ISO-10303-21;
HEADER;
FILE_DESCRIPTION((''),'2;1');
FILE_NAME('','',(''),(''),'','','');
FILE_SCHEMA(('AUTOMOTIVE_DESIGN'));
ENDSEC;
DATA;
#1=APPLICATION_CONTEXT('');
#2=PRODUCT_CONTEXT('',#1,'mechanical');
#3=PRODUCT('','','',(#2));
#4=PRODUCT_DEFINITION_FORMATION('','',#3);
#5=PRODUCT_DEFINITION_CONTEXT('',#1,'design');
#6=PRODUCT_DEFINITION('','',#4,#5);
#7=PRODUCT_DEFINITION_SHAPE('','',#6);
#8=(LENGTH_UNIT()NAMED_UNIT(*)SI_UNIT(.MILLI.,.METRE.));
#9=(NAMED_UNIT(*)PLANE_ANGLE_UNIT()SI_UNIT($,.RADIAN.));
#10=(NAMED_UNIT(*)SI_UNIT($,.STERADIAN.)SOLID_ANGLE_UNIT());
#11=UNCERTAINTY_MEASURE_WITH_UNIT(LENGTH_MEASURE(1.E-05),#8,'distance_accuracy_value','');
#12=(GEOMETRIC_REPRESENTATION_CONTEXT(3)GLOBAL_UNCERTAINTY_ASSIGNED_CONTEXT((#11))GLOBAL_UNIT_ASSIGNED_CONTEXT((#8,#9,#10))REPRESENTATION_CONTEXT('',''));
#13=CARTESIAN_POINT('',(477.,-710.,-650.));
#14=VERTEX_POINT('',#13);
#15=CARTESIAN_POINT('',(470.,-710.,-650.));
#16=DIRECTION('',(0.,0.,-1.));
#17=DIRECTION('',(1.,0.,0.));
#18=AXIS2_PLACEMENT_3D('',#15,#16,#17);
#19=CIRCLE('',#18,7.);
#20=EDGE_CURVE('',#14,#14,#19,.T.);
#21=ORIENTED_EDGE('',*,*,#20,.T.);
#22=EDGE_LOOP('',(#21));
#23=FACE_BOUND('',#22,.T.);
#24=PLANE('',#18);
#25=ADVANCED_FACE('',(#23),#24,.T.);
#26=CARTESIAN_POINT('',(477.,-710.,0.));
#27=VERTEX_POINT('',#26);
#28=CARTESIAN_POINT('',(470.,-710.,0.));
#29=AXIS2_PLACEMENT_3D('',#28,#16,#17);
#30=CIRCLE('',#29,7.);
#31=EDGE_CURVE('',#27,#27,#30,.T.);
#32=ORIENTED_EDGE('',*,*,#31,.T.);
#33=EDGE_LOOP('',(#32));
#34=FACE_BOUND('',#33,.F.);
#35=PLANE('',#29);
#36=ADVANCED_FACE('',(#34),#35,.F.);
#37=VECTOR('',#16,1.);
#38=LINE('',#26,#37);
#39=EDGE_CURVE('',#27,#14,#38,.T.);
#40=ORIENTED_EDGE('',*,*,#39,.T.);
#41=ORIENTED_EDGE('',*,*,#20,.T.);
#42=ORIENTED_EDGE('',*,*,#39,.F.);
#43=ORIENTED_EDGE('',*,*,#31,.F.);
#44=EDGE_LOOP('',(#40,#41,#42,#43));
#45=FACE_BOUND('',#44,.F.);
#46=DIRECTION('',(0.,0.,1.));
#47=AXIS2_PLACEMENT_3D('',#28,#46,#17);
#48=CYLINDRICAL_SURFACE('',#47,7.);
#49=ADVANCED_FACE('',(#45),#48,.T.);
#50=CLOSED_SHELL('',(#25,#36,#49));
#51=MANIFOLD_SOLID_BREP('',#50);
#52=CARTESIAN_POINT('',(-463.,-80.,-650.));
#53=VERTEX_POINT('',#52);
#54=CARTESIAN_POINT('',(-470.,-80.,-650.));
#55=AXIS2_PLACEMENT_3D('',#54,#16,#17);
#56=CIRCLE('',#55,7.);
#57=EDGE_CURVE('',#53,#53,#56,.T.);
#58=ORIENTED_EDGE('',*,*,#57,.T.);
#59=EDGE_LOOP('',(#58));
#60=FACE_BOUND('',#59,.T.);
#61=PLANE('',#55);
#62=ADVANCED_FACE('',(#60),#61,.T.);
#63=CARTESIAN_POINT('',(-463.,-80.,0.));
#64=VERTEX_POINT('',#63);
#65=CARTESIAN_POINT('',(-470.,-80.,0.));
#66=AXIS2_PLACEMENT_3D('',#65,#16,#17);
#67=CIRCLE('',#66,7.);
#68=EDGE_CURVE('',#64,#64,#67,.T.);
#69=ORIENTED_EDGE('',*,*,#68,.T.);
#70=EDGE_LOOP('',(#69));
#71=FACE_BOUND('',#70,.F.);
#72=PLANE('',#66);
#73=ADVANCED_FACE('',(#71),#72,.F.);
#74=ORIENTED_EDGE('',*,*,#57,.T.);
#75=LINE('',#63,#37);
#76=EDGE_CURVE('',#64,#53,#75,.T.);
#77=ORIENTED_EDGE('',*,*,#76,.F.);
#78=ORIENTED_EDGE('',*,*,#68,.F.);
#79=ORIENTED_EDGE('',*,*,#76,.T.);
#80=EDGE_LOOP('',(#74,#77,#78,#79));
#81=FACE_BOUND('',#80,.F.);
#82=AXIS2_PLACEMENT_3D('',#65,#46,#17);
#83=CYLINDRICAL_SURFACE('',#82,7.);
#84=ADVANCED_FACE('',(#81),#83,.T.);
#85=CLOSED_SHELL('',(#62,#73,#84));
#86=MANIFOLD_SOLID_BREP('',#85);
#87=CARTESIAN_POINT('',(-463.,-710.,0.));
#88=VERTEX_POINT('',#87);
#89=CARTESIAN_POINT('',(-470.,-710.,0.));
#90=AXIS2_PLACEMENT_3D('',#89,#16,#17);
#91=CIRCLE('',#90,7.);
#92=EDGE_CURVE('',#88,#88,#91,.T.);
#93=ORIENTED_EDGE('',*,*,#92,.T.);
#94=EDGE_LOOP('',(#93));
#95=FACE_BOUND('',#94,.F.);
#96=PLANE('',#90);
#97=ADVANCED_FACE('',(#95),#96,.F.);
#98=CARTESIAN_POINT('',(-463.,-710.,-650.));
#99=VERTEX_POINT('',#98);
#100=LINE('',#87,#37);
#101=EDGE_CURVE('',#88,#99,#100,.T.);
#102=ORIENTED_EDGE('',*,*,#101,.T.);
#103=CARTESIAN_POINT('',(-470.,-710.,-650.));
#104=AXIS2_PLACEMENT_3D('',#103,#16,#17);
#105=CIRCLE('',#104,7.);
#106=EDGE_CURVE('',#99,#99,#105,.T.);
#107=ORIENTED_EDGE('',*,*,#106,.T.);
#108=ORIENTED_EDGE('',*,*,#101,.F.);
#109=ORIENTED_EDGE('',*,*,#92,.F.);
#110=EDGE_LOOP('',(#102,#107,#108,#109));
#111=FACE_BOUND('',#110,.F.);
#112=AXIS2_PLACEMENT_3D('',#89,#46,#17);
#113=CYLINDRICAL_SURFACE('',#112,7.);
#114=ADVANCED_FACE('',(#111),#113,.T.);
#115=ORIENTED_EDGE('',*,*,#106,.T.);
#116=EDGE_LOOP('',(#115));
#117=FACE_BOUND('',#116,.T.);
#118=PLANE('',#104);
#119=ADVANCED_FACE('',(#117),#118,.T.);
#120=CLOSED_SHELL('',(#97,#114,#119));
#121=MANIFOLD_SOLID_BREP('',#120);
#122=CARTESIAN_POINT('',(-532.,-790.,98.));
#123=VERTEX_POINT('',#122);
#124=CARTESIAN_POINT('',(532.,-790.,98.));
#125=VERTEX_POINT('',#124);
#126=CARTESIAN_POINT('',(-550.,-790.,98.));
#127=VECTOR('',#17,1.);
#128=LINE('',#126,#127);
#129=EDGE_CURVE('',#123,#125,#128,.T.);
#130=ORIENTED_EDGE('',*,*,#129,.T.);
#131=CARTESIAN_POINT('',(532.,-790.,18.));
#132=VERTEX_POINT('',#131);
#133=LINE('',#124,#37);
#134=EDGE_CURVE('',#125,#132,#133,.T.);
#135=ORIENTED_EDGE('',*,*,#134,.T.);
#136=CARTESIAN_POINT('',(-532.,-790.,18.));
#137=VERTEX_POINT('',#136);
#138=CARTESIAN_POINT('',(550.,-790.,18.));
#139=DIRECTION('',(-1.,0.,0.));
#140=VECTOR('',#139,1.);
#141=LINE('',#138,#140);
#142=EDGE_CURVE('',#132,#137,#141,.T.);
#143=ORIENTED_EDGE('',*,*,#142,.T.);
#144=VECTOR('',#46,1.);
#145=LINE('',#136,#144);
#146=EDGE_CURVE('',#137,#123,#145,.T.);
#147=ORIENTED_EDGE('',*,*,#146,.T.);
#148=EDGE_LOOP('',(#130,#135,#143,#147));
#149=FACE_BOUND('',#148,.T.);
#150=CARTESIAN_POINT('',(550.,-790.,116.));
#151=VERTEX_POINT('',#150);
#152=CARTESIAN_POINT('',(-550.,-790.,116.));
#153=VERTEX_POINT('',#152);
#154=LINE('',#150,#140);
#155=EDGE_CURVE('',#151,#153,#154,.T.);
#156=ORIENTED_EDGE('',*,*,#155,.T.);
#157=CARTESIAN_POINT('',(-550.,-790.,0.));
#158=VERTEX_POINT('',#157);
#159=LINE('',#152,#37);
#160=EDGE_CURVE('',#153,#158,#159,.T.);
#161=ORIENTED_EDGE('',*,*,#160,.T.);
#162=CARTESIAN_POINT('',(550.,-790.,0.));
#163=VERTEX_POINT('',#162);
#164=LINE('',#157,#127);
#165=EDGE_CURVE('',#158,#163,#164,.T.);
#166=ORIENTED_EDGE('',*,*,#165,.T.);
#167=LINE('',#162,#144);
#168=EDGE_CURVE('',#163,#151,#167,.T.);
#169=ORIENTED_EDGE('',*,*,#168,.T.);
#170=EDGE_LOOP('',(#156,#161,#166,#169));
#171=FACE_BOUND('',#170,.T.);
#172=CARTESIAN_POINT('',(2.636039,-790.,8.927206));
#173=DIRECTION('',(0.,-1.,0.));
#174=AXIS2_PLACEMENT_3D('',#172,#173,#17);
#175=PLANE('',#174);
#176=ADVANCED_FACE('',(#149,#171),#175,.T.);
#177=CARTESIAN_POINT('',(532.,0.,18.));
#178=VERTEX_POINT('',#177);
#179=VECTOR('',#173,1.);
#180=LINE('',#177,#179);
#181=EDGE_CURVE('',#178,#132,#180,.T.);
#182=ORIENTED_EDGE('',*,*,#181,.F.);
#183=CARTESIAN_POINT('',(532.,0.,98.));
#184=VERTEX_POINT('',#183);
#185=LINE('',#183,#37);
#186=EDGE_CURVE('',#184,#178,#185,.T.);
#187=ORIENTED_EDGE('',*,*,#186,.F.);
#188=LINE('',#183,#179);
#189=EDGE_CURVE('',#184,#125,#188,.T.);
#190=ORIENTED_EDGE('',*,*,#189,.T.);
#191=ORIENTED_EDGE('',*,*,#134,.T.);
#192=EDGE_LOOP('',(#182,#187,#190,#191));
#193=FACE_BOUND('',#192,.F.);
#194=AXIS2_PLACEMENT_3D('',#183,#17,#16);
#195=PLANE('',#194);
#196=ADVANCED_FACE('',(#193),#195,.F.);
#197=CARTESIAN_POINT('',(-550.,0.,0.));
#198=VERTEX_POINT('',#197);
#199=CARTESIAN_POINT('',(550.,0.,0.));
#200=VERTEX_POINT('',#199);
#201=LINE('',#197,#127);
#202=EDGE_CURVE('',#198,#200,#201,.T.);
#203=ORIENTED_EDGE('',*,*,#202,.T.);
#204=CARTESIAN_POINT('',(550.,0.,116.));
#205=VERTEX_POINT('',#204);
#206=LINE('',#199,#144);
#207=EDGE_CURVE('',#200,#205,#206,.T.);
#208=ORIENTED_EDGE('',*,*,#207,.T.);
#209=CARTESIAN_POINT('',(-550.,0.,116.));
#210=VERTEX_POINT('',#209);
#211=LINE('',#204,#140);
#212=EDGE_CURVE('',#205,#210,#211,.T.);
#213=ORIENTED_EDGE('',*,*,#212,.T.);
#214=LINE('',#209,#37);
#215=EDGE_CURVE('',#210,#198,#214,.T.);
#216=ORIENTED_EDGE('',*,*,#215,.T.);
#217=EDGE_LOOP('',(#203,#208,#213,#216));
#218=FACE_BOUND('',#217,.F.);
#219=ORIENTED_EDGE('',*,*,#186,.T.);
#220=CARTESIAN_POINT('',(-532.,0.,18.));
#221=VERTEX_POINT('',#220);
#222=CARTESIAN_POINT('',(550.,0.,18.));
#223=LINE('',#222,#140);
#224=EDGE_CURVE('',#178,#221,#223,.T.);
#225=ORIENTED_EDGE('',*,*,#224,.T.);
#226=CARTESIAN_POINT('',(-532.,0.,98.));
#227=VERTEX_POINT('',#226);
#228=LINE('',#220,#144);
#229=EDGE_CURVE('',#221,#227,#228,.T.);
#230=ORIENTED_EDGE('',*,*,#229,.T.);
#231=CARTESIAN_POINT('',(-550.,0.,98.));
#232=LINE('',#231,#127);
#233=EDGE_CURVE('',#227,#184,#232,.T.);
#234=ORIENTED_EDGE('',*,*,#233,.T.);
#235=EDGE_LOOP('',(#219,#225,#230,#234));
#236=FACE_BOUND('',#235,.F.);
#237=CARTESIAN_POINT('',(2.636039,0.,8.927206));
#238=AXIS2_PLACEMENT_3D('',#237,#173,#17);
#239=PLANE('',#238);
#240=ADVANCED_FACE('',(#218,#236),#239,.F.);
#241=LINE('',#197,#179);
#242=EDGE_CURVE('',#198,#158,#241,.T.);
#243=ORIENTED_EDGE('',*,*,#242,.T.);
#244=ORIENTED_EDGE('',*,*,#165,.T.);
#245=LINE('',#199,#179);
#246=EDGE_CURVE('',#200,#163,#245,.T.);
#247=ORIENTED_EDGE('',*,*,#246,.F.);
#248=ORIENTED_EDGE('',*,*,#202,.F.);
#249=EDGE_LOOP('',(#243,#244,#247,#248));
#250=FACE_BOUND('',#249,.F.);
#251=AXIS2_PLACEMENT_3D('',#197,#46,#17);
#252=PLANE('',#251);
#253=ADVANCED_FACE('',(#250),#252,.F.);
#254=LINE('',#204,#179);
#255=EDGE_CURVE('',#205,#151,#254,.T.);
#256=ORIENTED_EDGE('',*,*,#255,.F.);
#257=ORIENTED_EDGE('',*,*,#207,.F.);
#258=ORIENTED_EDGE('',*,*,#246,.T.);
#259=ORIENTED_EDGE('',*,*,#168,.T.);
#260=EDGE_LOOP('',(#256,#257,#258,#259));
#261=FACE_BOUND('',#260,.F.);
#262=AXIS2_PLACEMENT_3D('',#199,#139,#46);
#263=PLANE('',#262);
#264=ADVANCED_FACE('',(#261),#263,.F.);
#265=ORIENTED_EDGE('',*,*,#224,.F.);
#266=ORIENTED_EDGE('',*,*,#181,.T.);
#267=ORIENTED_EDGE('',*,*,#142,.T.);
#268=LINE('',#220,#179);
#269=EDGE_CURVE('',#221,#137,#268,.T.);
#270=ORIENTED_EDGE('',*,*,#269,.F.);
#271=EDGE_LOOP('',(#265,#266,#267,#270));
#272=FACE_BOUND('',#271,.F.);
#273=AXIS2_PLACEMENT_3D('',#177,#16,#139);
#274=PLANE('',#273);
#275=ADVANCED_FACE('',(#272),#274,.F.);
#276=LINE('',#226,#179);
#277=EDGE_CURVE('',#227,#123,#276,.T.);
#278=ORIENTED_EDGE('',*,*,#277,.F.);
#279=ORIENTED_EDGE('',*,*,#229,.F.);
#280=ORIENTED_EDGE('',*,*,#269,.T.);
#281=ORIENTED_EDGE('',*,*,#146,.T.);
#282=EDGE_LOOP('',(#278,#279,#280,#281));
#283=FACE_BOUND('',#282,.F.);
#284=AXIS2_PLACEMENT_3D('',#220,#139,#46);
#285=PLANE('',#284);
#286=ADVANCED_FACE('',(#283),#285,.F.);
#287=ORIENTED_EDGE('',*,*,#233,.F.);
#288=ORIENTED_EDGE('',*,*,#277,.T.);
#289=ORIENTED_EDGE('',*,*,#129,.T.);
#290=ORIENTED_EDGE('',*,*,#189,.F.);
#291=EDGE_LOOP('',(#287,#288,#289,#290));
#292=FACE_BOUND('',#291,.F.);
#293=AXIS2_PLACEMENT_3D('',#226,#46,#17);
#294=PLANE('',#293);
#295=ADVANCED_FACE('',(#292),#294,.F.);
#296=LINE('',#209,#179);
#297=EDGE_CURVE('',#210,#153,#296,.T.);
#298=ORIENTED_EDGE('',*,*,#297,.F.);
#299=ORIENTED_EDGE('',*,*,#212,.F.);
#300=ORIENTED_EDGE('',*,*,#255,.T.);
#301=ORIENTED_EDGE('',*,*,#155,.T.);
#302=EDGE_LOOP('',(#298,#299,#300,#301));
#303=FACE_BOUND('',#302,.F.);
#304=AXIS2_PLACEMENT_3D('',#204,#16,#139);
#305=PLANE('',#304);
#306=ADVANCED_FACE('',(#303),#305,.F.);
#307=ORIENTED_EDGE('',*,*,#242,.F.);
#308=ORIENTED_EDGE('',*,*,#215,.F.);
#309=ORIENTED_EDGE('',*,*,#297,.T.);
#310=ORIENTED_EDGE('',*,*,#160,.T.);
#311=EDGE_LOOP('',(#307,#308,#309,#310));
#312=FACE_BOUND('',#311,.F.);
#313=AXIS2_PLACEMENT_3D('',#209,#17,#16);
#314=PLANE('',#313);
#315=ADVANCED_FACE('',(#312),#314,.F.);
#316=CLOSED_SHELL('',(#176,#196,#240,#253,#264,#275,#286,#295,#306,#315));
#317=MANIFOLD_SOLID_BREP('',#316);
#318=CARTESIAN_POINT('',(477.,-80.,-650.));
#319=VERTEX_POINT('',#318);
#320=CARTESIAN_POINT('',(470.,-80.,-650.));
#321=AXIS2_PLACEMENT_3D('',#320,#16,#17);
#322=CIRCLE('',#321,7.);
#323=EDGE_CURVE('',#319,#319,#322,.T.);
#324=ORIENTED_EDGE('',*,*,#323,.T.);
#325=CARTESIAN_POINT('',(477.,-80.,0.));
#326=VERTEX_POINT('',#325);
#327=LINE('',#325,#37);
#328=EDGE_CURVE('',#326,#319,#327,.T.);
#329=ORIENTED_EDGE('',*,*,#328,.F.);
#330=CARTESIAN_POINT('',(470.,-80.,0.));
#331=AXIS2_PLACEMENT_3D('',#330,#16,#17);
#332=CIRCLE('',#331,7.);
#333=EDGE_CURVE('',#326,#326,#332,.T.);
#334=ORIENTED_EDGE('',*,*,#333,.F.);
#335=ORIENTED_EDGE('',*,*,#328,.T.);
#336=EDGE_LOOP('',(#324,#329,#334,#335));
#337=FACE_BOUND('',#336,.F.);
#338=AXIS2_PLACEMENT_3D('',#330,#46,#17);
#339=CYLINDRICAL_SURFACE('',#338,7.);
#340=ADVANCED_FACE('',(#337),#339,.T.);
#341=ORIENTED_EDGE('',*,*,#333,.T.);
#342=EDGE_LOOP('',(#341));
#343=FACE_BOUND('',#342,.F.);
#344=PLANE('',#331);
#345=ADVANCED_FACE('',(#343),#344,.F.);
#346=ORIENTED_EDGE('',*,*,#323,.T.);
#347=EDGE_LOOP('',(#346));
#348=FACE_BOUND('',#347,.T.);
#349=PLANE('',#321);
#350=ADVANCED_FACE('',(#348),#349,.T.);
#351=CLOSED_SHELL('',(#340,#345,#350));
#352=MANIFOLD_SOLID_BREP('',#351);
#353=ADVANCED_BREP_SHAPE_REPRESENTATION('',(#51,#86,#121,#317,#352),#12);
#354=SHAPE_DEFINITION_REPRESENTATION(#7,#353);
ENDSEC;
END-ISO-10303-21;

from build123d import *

# Parameters (mm, degrees)
F1_DEPTH = 790
F2_R     = 7
F3_DEPTH = 650


with BuildPart() as f1:
    # F0 (on Front) → F1 (new body)
    with BuildSketch(Plane.XZ):
        Polygon((-532, 18), (-550, 0), (550, 0), (550, 18), (532, 18), align=None)
        Polygon((532, 18), (550, 18), (550, 116), (532, 98), align=None)
        Polygon((-550, 116), (-550, 98), (-532, 98), (532, 98), (550, 116), align=None)
        Polygon((-550, 98), (-550, 0), (-532, 18), (-532, 98), align=None)
    extrude(amount=F1_DEPTH)


with BuildPart() as f3:
    # F2 (on face) → F3 (new body)
    with BuildSketch(Plane(origin=(0, 0, 0), x_dir=(1, 0, 0), z_dir=(0, 0, -1))):
        with Locations((-470, 80)):
            Circle(F2_R)
        with Locations((-470, 710)):
            Circle(F2_R)
        with Locations((470, 80)):
            Circle(F2_R)
        with Locations((470, 710)):
            Circle(F2_R)
    extrude(amount=F3_DEPTH)


solid = Compound([f1.part, f3.part])
